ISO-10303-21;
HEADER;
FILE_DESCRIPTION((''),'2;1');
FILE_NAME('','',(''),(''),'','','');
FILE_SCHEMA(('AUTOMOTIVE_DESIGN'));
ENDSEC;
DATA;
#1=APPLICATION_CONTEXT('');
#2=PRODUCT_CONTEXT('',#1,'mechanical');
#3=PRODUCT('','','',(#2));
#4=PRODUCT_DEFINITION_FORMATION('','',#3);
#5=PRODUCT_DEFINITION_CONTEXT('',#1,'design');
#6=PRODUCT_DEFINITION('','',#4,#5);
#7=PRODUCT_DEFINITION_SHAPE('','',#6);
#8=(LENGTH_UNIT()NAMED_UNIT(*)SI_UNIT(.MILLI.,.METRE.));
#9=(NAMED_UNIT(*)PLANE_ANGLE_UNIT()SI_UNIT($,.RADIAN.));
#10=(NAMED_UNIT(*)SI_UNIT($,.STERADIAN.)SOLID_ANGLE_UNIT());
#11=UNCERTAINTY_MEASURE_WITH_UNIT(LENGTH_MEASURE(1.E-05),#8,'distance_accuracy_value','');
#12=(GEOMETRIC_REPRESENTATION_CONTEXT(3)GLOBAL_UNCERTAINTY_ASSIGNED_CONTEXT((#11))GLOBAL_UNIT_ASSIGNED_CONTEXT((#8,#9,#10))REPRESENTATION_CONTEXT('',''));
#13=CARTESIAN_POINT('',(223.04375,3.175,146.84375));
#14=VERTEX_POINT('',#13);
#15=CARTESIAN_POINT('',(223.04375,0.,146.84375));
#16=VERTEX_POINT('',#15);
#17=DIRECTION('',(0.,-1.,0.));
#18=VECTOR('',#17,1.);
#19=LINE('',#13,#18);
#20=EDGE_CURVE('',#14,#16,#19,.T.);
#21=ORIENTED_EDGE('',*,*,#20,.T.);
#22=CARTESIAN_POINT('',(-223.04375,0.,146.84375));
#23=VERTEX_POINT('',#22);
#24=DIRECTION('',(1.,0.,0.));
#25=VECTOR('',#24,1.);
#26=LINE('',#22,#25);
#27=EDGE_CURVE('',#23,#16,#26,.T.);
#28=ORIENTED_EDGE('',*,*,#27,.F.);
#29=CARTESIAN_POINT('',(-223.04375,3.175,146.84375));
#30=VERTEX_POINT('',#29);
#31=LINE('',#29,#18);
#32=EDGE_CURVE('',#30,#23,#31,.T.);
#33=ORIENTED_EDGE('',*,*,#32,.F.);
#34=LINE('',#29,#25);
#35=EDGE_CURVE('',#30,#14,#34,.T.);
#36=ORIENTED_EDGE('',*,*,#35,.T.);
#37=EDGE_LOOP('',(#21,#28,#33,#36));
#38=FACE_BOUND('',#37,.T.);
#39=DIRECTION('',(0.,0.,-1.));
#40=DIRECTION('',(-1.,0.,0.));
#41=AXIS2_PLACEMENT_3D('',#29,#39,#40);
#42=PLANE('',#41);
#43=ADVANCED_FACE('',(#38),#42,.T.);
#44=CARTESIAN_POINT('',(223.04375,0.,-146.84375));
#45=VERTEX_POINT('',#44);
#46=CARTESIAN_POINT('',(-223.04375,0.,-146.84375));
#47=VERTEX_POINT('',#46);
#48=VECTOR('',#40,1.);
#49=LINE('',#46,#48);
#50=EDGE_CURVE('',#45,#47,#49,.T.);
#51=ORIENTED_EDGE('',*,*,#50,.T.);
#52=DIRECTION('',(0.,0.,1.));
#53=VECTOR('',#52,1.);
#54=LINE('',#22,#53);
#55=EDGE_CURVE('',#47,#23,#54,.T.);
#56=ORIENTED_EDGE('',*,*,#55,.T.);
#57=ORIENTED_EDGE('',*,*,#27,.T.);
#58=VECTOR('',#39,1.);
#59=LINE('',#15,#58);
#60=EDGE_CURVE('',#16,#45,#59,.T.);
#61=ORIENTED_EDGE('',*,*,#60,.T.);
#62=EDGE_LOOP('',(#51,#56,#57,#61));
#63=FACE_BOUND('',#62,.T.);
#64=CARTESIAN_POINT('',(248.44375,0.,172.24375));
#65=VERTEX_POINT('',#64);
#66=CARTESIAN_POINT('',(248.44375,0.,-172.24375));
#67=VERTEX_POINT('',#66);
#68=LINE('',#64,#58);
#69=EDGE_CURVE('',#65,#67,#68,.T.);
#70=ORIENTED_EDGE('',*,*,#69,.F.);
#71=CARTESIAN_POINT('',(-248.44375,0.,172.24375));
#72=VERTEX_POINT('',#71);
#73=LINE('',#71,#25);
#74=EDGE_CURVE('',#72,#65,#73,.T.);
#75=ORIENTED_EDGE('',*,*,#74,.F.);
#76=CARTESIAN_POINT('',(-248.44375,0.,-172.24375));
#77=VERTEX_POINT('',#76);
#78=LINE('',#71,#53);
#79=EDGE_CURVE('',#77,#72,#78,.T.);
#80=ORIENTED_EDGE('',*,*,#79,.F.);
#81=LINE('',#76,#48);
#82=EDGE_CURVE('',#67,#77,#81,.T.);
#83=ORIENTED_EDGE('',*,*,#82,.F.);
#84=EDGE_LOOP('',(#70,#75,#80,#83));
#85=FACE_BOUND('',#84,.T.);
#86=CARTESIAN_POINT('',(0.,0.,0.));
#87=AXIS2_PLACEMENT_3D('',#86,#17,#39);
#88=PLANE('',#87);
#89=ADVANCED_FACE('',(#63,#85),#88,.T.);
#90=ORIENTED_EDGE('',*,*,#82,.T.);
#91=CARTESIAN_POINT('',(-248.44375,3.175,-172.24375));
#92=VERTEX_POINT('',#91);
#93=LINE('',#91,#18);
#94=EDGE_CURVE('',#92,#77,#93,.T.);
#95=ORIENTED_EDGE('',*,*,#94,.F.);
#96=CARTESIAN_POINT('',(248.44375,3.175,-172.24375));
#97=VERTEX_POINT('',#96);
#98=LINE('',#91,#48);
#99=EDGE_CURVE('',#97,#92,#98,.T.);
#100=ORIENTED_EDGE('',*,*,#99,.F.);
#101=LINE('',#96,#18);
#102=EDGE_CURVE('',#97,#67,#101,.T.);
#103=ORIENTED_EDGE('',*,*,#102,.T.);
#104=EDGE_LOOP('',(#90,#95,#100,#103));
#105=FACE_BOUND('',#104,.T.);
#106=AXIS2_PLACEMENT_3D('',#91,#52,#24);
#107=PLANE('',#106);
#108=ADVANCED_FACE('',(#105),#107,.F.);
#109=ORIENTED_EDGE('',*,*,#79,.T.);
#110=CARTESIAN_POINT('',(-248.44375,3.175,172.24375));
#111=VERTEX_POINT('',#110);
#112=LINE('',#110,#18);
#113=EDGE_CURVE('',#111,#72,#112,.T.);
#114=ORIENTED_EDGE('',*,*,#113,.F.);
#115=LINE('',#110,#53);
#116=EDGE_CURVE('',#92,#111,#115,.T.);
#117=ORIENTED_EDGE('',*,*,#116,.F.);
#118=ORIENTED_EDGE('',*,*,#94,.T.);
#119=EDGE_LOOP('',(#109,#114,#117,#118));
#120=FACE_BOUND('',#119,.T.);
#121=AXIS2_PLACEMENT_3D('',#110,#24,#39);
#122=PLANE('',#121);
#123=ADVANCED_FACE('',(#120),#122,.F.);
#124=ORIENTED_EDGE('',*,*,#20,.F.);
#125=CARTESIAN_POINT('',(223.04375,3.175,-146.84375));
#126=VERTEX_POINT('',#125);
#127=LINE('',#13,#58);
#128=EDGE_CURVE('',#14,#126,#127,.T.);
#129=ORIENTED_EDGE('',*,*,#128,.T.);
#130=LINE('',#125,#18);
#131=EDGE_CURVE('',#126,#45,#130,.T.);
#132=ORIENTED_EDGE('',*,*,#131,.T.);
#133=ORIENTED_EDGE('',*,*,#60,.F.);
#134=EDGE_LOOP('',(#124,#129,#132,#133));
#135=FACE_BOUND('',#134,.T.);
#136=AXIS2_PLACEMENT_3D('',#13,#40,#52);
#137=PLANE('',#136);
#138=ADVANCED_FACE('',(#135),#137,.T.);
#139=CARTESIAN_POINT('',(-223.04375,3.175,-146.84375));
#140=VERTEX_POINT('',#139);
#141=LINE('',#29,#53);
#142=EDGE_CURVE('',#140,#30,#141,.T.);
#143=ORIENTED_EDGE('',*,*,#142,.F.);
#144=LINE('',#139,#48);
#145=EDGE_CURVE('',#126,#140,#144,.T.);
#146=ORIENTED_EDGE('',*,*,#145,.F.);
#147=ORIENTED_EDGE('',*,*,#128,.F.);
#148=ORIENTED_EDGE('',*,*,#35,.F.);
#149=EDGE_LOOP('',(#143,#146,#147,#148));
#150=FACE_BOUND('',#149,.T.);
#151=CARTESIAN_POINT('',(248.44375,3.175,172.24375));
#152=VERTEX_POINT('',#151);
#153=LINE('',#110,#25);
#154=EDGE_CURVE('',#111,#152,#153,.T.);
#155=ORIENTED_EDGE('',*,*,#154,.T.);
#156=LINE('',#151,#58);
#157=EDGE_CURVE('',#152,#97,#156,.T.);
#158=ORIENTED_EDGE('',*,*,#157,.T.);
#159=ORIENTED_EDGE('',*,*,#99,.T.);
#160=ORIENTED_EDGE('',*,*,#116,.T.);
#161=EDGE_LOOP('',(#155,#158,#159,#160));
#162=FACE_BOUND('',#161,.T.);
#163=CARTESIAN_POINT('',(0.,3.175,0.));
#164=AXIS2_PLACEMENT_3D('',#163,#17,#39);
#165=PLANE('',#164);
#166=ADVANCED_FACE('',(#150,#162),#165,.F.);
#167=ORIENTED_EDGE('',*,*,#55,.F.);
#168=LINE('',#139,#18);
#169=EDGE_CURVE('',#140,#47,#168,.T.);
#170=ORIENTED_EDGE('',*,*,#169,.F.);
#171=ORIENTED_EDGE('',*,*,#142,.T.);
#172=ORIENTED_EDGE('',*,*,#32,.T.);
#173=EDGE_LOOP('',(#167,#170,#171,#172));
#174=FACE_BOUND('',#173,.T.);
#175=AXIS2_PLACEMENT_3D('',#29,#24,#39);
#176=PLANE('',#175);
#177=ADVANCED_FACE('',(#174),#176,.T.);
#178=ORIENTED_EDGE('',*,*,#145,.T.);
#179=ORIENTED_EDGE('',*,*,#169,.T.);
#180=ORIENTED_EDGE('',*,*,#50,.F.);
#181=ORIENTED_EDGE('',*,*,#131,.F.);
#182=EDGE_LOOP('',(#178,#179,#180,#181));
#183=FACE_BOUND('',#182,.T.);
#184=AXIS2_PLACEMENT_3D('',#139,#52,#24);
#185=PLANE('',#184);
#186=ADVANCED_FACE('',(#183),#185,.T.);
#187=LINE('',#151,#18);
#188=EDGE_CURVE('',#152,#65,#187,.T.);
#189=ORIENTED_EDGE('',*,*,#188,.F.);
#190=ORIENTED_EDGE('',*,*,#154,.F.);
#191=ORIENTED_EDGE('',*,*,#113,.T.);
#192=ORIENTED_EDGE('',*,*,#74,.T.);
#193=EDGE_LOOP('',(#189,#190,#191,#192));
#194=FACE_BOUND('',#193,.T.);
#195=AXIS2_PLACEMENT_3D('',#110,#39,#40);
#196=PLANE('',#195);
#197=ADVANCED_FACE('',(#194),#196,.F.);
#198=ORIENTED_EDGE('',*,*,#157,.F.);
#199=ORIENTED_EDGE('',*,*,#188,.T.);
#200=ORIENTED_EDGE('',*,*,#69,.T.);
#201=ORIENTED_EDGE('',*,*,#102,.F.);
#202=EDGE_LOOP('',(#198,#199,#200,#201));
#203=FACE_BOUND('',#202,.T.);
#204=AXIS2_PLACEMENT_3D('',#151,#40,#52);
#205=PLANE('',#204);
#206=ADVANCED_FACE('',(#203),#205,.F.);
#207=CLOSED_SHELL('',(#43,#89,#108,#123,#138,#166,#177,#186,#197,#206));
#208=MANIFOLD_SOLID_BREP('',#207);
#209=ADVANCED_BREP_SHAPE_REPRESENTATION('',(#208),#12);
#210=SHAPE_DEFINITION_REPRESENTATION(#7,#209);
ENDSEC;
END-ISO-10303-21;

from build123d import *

# Parameters (mm, degrees)
SKETCH1_W           = 496.8875
SKETCH1_H           = 344.4875
SKETCH1_W_2         = 446.0875
SKETCH1_H_2         = 293.6875
BOSS_EXTRUDE1_DEPTH = 3.175


with BuildPart() as part:
    # Sketch1 → Boss-Extrude1 (new body)
    with BuildSketch(Plane(origin=(0, 0, 0), x_dir=(1, 0, 0), z_dir=(0, 1, 0))):
        Rectangle(SKETCH1_W, SKETCH1_H)
        Rectangle(SKETCH1_W_2, SKETCH1_H_2, mode=Mode.SUBTRACT)
    extrude(amount=BOSS_EXTRUDE1_DEPTH)


solid = part.part
